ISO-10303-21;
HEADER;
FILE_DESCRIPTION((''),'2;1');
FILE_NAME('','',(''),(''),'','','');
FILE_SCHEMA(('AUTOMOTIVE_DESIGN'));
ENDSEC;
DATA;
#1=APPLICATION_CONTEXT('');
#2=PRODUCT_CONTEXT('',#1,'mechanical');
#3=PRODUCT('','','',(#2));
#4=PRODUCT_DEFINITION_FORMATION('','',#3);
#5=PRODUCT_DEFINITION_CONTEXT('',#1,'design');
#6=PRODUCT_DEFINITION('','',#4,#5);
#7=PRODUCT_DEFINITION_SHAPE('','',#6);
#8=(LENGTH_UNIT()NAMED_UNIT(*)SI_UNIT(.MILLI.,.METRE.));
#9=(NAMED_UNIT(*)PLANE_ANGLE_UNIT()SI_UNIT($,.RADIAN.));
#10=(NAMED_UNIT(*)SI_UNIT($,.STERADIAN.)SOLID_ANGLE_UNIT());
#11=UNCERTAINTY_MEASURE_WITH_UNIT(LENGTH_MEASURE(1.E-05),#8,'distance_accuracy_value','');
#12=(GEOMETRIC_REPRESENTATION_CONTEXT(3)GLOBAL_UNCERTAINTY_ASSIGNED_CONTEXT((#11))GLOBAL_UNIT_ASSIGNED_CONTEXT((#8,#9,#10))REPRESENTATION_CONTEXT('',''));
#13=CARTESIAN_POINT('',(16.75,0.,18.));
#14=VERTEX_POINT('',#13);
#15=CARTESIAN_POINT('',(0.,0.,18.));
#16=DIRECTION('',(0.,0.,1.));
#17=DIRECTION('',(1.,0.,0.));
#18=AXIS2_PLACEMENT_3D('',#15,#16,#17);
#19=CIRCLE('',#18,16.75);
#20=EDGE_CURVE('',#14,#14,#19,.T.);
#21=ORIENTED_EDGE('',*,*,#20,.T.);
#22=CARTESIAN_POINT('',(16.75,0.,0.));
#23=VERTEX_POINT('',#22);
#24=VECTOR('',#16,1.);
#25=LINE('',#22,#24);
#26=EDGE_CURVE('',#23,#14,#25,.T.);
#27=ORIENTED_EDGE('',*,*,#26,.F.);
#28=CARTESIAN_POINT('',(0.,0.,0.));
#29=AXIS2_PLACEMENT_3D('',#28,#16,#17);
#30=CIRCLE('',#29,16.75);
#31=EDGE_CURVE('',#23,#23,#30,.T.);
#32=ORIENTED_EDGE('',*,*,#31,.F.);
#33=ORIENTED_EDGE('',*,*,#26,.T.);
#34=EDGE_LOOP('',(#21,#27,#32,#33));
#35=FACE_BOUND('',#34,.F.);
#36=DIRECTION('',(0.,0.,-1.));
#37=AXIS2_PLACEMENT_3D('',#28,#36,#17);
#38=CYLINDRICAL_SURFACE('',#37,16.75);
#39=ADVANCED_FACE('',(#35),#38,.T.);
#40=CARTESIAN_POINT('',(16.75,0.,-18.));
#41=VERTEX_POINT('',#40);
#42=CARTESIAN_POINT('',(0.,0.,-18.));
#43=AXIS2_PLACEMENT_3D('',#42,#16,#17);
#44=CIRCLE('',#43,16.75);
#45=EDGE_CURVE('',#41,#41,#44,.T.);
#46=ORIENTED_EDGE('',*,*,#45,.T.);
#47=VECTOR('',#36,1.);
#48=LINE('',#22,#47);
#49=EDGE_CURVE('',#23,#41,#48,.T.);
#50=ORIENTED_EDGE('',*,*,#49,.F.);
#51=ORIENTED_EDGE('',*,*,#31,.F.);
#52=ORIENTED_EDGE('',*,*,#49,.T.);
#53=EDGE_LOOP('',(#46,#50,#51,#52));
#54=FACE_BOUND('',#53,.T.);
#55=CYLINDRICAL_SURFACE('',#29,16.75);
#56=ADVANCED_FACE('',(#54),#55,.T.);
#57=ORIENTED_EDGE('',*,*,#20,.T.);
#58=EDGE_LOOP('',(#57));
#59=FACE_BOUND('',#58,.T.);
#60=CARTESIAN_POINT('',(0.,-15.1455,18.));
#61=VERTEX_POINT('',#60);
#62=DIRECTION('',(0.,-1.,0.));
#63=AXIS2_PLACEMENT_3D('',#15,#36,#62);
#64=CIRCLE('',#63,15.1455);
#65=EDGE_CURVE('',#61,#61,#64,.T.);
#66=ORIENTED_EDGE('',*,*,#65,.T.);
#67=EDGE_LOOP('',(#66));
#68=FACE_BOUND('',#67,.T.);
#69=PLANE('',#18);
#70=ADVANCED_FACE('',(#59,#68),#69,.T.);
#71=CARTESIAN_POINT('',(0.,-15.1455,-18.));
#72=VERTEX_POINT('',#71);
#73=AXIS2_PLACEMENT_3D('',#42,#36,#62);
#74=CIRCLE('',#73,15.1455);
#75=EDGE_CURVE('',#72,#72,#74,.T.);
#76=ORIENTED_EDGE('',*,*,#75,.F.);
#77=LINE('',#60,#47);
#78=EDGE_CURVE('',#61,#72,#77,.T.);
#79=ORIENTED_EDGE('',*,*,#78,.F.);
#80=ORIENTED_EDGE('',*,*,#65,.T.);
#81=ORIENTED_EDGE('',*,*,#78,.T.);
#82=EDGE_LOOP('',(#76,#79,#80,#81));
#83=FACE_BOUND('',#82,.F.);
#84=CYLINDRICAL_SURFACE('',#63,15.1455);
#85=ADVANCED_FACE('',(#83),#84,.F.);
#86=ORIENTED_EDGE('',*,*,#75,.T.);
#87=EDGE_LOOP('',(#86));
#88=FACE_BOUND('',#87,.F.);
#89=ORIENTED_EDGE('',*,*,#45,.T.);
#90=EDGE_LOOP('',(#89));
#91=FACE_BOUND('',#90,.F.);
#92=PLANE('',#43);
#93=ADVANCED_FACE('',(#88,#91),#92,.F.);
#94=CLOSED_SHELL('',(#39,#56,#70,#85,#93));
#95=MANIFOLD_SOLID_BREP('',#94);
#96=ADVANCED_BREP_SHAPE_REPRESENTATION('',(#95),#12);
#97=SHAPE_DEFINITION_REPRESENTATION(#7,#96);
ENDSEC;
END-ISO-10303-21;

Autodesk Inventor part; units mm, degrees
ref_plane "YZ Plane" through (0, 0, 0) normal (1, 0, 0) x (0, 1, 0)
ref_plane "XZ Plane" through (0, 0, 0) normal (0, 1, 0) x (-1, 0, 0)
ref_plane "XY Plane" through (0, 0, 0) normal (0, 0, 1) x (1, 0, 0)
sketch "Sketch1" plane through (0, 0, 0) normal (0, 0, 1) x (1, 0, 0)
  circle A0 centre (0, 0) radius 16.75
  dimension "d0" = 33.5
extrude "Extrusion1" add sketch "Sketch1" along normal mid plane 36
sketch "Sketch2" plane through (0, 0, 18) normal (0, 0, 1) x (1, 0, 0)
  point P0 (0, 0)
  point P1 (0, 0)
hole "Hole1" at (0, 0, 18) direction (0, 0, -1) diameter 30.291 end through all thread size "G33.249x2.309" designation "G 1" standard "ISO Pipe Threads"
properties part number "Fitting G1_D1200 940"
